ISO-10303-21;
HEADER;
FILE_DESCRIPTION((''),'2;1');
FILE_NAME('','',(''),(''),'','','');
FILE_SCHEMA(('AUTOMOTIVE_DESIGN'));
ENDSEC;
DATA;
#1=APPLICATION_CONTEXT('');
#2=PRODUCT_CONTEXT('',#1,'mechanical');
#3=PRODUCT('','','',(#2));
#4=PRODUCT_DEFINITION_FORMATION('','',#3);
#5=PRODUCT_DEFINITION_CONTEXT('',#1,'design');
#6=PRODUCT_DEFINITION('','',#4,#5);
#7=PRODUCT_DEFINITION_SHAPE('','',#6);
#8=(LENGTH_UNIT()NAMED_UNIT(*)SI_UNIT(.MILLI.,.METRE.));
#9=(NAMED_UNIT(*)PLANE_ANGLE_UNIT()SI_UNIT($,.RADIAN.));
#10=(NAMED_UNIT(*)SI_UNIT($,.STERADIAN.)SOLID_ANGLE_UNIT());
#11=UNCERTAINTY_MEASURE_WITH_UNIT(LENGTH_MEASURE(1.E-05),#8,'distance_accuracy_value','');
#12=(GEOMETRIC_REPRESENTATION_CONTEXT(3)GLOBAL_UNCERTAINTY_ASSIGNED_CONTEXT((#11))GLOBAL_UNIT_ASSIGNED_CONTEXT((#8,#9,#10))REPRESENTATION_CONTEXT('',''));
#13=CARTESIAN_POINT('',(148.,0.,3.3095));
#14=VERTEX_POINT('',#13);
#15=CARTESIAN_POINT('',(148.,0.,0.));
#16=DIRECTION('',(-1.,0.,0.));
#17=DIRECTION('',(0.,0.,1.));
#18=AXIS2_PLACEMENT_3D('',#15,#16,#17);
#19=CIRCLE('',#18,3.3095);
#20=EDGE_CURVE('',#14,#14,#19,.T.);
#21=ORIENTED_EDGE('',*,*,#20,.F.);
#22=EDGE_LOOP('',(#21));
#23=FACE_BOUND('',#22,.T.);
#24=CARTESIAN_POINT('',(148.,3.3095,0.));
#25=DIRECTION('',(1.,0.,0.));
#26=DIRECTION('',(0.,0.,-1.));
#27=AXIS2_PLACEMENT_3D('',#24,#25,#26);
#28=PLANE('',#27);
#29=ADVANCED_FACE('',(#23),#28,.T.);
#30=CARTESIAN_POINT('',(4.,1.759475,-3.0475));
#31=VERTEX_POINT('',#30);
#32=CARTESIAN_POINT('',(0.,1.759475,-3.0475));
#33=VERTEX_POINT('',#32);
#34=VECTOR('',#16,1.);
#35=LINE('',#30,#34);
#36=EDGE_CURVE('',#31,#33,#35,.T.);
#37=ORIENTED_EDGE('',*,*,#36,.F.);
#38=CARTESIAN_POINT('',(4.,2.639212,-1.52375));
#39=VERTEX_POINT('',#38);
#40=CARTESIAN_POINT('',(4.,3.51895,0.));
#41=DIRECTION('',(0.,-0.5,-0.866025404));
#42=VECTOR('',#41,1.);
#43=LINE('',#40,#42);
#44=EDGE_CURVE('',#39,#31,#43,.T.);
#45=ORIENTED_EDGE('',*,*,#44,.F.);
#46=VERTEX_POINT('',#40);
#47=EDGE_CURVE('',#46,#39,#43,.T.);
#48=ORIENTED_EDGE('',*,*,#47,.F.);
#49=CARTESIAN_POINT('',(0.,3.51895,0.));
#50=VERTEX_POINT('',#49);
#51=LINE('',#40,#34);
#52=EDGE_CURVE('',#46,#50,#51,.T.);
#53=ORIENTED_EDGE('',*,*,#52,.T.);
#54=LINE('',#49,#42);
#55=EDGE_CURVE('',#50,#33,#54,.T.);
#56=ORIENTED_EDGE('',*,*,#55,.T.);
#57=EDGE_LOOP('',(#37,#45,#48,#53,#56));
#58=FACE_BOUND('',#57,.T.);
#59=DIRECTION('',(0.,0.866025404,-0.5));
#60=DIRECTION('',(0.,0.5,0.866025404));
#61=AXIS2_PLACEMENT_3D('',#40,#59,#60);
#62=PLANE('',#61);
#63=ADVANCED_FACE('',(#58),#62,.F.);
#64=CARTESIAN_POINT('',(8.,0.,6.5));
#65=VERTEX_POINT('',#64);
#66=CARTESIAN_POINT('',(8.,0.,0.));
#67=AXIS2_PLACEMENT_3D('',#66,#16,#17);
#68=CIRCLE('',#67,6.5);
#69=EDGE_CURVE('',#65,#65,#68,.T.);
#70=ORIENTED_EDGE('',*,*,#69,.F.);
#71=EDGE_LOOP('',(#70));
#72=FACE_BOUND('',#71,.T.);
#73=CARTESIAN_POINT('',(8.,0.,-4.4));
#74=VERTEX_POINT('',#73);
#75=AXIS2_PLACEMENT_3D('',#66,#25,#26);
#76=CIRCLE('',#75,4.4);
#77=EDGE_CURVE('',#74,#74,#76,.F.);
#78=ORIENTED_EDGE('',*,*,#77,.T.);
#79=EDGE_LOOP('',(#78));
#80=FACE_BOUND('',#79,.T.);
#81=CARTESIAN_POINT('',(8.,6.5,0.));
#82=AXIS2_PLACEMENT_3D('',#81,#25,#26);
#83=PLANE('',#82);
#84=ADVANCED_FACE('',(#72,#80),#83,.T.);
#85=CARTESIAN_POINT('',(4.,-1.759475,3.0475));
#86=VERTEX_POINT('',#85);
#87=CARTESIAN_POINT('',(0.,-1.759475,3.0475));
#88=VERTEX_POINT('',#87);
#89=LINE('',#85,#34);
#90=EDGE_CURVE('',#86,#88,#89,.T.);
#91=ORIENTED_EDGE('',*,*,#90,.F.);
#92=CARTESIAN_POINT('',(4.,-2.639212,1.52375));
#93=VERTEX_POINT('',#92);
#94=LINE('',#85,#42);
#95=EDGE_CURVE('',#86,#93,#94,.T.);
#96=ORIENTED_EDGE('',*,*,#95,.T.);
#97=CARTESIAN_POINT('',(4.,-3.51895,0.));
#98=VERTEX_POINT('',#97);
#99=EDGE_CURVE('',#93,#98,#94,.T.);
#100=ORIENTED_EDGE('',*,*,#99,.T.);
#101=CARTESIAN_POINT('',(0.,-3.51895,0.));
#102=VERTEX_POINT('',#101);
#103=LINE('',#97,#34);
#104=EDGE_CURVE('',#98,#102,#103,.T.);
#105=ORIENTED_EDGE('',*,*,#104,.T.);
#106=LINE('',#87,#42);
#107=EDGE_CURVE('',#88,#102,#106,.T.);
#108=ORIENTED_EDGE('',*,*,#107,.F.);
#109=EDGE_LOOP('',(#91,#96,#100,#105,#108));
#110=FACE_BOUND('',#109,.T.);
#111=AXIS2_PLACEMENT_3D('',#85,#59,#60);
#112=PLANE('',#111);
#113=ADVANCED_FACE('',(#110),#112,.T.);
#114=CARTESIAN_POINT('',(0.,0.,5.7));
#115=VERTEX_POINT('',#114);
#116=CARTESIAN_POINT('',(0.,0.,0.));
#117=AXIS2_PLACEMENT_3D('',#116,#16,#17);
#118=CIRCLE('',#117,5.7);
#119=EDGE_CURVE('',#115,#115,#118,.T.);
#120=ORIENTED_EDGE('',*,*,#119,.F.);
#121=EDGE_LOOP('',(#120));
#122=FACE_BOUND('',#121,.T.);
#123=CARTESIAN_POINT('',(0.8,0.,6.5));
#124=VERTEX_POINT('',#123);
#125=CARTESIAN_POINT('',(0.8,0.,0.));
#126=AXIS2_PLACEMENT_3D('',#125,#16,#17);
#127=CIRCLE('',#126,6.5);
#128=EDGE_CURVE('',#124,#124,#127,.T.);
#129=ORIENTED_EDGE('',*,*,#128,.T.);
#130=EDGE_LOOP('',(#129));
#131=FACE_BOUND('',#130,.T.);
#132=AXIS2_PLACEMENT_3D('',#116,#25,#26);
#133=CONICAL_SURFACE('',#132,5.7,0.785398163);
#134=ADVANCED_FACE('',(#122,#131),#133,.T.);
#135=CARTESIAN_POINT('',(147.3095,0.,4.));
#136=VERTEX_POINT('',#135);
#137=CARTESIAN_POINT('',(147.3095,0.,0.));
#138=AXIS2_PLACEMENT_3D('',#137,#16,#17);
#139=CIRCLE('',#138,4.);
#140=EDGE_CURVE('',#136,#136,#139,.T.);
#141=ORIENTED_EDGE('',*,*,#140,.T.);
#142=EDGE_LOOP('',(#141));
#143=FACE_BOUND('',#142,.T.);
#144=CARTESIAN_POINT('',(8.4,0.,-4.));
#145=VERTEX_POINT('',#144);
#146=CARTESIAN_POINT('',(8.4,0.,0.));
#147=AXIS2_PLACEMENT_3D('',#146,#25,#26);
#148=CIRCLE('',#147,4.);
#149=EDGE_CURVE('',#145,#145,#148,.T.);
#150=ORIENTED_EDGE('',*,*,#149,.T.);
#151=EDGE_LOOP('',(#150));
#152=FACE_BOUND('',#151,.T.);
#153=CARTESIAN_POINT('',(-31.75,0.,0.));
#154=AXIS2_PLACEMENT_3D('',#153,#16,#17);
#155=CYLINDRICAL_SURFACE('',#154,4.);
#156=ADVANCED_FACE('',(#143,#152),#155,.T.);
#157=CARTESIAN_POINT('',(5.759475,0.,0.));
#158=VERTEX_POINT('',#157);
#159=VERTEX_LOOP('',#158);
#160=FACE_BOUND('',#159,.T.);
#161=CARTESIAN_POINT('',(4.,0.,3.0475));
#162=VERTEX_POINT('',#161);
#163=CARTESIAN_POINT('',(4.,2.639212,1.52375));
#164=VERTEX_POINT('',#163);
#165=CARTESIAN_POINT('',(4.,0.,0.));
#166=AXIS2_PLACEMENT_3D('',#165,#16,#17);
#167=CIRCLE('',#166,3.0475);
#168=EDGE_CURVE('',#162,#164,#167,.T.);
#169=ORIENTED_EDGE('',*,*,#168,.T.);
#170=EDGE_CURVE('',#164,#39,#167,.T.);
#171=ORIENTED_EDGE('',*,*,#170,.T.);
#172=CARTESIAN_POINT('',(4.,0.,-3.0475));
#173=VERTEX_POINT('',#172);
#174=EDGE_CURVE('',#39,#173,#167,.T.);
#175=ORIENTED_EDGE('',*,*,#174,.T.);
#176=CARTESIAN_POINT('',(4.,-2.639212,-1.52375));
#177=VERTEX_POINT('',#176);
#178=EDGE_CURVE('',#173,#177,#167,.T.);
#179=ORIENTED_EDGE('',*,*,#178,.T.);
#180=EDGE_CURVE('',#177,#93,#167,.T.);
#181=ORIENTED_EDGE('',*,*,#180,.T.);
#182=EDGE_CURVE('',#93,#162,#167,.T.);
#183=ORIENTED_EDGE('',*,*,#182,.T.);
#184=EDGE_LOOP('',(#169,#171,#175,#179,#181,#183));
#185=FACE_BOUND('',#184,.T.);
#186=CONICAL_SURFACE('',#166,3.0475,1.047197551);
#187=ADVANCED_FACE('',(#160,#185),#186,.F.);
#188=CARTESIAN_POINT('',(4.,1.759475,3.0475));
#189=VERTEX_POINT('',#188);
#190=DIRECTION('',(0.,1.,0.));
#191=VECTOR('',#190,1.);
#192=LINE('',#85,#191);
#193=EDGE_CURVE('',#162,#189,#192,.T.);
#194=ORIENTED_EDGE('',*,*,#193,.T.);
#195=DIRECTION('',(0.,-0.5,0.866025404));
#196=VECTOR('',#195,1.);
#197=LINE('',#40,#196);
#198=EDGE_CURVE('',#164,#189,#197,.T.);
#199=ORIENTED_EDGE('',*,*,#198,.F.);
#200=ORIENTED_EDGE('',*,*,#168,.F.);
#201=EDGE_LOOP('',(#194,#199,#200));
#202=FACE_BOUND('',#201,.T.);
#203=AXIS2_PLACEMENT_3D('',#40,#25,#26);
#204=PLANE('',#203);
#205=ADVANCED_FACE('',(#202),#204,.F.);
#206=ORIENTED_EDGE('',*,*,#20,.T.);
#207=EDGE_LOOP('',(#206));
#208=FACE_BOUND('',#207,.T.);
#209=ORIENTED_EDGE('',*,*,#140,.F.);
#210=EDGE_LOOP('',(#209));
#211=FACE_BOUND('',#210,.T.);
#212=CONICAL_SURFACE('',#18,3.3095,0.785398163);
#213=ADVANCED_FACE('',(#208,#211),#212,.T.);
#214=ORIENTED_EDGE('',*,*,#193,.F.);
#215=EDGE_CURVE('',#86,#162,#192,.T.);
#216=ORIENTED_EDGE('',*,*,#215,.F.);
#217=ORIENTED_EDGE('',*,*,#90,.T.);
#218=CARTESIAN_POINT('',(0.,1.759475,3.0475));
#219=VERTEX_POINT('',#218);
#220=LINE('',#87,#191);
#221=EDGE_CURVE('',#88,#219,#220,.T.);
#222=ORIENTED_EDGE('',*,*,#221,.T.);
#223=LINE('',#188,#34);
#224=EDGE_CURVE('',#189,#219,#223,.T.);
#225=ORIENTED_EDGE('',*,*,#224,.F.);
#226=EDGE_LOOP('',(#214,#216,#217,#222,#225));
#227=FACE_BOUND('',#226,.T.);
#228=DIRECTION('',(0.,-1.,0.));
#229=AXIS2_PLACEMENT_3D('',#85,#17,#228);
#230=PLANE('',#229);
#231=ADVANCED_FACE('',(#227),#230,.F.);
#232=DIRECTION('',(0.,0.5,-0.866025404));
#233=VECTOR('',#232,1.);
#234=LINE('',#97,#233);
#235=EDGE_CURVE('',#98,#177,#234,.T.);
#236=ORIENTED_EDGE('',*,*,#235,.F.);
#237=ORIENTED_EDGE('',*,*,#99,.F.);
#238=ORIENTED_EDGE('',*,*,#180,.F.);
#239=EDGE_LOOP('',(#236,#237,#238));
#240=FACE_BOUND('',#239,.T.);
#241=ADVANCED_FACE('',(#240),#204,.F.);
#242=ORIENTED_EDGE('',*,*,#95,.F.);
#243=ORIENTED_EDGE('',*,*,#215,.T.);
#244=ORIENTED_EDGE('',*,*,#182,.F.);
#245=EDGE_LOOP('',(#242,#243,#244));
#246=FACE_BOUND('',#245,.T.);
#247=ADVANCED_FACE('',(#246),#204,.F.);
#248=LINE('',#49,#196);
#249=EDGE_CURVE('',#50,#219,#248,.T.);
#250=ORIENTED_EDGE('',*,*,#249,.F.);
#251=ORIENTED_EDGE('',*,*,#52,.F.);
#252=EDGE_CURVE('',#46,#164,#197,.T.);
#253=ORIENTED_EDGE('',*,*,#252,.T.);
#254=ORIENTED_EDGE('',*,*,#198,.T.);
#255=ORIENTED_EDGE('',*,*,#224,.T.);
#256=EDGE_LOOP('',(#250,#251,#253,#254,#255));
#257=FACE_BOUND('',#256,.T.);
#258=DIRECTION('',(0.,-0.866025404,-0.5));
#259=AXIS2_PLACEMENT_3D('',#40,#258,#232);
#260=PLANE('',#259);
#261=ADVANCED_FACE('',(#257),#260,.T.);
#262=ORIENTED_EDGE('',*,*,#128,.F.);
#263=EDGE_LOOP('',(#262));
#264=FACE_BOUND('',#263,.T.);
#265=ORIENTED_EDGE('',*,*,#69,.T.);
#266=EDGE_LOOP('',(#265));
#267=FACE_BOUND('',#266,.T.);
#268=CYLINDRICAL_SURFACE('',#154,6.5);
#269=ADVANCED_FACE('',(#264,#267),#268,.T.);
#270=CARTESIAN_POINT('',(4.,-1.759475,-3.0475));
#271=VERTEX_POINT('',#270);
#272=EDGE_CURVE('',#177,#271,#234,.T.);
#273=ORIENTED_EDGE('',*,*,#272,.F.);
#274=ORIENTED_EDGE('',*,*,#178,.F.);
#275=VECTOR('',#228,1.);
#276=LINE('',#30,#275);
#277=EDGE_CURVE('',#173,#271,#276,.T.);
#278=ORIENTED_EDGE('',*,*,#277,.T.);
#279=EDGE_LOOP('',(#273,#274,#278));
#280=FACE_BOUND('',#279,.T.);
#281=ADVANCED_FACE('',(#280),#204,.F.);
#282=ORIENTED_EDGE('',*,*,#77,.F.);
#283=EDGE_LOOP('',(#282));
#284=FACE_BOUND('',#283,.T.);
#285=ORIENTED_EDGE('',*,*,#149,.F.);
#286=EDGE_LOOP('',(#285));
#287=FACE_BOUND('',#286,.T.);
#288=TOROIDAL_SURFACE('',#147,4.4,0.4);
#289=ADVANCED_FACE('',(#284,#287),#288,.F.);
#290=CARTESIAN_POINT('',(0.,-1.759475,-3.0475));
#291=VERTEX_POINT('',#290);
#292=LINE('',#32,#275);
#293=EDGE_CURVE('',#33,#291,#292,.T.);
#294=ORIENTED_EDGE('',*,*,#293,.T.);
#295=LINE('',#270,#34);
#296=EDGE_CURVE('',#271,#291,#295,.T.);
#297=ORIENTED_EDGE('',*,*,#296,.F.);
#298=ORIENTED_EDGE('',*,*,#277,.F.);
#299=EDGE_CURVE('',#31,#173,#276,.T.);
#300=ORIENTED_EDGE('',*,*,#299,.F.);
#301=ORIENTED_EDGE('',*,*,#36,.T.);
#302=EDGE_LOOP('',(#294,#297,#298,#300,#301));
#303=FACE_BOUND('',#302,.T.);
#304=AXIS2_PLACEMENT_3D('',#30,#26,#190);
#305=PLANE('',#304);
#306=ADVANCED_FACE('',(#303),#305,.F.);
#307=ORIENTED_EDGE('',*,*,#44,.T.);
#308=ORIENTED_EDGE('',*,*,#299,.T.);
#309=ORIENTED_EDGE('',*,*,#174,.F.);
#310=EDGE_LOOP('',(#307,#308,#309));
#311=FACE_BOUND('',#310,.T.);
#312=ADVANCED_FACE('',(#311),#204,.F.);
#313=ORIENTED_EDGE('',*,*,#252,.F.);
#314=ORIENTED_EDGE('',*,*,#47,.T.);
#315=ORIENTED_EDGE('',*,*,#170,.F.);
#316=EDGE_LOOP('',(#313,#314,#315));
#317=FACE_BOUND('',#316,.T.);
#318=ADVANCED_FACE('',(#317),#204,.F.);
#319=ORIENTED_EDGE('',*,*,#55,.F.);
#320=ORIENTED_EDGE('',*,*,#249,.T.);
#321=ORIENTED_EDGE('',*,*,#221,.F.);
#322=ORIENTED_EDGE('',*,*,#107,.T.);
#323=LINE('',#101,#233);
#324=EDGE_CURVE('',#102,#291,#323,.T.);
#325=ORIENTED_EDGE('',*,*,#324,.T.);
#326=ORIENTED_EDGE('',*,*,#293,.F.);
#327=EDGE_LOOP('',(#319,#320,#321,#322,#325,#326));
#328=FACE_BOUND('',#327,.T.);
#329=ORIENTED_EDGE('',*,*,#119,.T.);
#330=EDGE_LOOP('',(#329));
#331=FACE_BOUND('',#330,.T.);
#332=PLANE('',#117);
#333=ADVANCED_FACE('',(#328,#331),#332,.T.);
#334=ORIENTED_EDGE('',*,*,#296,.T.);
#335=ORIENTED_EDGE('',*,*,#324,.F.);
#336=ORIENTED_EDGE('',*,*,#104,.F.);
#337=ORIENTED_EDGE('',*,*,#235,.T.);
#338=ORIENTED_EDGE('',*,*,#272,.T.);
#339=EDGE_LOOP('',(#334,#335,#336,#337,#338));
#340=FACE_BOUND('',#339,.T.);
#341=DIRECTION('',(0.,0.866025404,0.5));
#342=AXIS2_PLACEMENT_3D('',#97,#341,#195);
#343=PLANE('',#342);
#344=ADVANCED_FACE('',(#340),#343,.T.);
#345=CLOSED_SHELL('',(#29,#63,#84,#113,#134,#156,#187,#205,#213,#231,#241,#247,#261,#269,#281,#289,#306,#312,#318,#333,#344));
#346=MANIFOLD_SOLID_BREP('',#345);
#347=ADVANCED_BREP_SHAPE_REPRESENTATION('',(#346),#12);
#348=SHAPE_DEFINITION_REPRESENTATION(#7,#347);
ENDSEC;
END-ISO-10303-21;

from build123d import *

# Parameters (mm, degrees)
FILLET1_R   = 0.4
HEX_2_DEPTH = 4


with BuildPart() as part:
    # BodySke → Base-Revolve (revolve)
    with BuildSketch(Plane.XY, mode=Mode.PRIVATE) as base_revolve_sk:
        Polygon((0, 0), (0, 5.7), (0.8, 6.5), (8, 6.5), (8, 4), (147.3095, 4), (148, 3.3095), (148, 0), align=None)
    revolve(base_revolve_sk.sketch.rotate(Axis((-31.75, 0, 0), (1, 0, 0)), 90), axis=Axis((-31.75, 0, 0), (1, 0, 0)))

    # Fillet1
    fillet1_edges = [part.edges().sort_by_distance(p)[0] for p in [
        (8, 0, -4),
    ]]
    fillet(fillet1_edges, radius=FILLET1_R)

    # Sketch2 → Hex-PreBroach (revolve, cut)
    with BuildSketch(Plane.XY, mode=Mode.PRIVATE) as hex_prebroach_sk:
        Polygon((0, 3.0475), (4, 3.0475), (5.759474945, 0), (0, 0), align=None)
    revolve(hex_prebroach_sk.sketch.rotate(Axis((0, 0, 0), (1, 0, 0)), 90), axis=Axis((0, 0, 0), (1, 0, 0)), mode=Mode.SUBTRACT)

    # Sketch3 → Hex 2 (cut)
    with BuildSketch(Plane(origin=(0, 0, 0), x_dir=(0, 0.500000000000001, 0.866025403784438), z_dir=(-1, 0, 0))):
        Polygon((1.759474945, 3.0475), (-1.759474945, 3.0475), (-3.518949891, 0), (-1.759474945, -3.0475), (1.759474945, -3.0475), (3.518949891, 0), align=None)
    extrude(amount=-HEX_2_DEPTH, mode=Mode.SUBTRACT)


solid = part.part
